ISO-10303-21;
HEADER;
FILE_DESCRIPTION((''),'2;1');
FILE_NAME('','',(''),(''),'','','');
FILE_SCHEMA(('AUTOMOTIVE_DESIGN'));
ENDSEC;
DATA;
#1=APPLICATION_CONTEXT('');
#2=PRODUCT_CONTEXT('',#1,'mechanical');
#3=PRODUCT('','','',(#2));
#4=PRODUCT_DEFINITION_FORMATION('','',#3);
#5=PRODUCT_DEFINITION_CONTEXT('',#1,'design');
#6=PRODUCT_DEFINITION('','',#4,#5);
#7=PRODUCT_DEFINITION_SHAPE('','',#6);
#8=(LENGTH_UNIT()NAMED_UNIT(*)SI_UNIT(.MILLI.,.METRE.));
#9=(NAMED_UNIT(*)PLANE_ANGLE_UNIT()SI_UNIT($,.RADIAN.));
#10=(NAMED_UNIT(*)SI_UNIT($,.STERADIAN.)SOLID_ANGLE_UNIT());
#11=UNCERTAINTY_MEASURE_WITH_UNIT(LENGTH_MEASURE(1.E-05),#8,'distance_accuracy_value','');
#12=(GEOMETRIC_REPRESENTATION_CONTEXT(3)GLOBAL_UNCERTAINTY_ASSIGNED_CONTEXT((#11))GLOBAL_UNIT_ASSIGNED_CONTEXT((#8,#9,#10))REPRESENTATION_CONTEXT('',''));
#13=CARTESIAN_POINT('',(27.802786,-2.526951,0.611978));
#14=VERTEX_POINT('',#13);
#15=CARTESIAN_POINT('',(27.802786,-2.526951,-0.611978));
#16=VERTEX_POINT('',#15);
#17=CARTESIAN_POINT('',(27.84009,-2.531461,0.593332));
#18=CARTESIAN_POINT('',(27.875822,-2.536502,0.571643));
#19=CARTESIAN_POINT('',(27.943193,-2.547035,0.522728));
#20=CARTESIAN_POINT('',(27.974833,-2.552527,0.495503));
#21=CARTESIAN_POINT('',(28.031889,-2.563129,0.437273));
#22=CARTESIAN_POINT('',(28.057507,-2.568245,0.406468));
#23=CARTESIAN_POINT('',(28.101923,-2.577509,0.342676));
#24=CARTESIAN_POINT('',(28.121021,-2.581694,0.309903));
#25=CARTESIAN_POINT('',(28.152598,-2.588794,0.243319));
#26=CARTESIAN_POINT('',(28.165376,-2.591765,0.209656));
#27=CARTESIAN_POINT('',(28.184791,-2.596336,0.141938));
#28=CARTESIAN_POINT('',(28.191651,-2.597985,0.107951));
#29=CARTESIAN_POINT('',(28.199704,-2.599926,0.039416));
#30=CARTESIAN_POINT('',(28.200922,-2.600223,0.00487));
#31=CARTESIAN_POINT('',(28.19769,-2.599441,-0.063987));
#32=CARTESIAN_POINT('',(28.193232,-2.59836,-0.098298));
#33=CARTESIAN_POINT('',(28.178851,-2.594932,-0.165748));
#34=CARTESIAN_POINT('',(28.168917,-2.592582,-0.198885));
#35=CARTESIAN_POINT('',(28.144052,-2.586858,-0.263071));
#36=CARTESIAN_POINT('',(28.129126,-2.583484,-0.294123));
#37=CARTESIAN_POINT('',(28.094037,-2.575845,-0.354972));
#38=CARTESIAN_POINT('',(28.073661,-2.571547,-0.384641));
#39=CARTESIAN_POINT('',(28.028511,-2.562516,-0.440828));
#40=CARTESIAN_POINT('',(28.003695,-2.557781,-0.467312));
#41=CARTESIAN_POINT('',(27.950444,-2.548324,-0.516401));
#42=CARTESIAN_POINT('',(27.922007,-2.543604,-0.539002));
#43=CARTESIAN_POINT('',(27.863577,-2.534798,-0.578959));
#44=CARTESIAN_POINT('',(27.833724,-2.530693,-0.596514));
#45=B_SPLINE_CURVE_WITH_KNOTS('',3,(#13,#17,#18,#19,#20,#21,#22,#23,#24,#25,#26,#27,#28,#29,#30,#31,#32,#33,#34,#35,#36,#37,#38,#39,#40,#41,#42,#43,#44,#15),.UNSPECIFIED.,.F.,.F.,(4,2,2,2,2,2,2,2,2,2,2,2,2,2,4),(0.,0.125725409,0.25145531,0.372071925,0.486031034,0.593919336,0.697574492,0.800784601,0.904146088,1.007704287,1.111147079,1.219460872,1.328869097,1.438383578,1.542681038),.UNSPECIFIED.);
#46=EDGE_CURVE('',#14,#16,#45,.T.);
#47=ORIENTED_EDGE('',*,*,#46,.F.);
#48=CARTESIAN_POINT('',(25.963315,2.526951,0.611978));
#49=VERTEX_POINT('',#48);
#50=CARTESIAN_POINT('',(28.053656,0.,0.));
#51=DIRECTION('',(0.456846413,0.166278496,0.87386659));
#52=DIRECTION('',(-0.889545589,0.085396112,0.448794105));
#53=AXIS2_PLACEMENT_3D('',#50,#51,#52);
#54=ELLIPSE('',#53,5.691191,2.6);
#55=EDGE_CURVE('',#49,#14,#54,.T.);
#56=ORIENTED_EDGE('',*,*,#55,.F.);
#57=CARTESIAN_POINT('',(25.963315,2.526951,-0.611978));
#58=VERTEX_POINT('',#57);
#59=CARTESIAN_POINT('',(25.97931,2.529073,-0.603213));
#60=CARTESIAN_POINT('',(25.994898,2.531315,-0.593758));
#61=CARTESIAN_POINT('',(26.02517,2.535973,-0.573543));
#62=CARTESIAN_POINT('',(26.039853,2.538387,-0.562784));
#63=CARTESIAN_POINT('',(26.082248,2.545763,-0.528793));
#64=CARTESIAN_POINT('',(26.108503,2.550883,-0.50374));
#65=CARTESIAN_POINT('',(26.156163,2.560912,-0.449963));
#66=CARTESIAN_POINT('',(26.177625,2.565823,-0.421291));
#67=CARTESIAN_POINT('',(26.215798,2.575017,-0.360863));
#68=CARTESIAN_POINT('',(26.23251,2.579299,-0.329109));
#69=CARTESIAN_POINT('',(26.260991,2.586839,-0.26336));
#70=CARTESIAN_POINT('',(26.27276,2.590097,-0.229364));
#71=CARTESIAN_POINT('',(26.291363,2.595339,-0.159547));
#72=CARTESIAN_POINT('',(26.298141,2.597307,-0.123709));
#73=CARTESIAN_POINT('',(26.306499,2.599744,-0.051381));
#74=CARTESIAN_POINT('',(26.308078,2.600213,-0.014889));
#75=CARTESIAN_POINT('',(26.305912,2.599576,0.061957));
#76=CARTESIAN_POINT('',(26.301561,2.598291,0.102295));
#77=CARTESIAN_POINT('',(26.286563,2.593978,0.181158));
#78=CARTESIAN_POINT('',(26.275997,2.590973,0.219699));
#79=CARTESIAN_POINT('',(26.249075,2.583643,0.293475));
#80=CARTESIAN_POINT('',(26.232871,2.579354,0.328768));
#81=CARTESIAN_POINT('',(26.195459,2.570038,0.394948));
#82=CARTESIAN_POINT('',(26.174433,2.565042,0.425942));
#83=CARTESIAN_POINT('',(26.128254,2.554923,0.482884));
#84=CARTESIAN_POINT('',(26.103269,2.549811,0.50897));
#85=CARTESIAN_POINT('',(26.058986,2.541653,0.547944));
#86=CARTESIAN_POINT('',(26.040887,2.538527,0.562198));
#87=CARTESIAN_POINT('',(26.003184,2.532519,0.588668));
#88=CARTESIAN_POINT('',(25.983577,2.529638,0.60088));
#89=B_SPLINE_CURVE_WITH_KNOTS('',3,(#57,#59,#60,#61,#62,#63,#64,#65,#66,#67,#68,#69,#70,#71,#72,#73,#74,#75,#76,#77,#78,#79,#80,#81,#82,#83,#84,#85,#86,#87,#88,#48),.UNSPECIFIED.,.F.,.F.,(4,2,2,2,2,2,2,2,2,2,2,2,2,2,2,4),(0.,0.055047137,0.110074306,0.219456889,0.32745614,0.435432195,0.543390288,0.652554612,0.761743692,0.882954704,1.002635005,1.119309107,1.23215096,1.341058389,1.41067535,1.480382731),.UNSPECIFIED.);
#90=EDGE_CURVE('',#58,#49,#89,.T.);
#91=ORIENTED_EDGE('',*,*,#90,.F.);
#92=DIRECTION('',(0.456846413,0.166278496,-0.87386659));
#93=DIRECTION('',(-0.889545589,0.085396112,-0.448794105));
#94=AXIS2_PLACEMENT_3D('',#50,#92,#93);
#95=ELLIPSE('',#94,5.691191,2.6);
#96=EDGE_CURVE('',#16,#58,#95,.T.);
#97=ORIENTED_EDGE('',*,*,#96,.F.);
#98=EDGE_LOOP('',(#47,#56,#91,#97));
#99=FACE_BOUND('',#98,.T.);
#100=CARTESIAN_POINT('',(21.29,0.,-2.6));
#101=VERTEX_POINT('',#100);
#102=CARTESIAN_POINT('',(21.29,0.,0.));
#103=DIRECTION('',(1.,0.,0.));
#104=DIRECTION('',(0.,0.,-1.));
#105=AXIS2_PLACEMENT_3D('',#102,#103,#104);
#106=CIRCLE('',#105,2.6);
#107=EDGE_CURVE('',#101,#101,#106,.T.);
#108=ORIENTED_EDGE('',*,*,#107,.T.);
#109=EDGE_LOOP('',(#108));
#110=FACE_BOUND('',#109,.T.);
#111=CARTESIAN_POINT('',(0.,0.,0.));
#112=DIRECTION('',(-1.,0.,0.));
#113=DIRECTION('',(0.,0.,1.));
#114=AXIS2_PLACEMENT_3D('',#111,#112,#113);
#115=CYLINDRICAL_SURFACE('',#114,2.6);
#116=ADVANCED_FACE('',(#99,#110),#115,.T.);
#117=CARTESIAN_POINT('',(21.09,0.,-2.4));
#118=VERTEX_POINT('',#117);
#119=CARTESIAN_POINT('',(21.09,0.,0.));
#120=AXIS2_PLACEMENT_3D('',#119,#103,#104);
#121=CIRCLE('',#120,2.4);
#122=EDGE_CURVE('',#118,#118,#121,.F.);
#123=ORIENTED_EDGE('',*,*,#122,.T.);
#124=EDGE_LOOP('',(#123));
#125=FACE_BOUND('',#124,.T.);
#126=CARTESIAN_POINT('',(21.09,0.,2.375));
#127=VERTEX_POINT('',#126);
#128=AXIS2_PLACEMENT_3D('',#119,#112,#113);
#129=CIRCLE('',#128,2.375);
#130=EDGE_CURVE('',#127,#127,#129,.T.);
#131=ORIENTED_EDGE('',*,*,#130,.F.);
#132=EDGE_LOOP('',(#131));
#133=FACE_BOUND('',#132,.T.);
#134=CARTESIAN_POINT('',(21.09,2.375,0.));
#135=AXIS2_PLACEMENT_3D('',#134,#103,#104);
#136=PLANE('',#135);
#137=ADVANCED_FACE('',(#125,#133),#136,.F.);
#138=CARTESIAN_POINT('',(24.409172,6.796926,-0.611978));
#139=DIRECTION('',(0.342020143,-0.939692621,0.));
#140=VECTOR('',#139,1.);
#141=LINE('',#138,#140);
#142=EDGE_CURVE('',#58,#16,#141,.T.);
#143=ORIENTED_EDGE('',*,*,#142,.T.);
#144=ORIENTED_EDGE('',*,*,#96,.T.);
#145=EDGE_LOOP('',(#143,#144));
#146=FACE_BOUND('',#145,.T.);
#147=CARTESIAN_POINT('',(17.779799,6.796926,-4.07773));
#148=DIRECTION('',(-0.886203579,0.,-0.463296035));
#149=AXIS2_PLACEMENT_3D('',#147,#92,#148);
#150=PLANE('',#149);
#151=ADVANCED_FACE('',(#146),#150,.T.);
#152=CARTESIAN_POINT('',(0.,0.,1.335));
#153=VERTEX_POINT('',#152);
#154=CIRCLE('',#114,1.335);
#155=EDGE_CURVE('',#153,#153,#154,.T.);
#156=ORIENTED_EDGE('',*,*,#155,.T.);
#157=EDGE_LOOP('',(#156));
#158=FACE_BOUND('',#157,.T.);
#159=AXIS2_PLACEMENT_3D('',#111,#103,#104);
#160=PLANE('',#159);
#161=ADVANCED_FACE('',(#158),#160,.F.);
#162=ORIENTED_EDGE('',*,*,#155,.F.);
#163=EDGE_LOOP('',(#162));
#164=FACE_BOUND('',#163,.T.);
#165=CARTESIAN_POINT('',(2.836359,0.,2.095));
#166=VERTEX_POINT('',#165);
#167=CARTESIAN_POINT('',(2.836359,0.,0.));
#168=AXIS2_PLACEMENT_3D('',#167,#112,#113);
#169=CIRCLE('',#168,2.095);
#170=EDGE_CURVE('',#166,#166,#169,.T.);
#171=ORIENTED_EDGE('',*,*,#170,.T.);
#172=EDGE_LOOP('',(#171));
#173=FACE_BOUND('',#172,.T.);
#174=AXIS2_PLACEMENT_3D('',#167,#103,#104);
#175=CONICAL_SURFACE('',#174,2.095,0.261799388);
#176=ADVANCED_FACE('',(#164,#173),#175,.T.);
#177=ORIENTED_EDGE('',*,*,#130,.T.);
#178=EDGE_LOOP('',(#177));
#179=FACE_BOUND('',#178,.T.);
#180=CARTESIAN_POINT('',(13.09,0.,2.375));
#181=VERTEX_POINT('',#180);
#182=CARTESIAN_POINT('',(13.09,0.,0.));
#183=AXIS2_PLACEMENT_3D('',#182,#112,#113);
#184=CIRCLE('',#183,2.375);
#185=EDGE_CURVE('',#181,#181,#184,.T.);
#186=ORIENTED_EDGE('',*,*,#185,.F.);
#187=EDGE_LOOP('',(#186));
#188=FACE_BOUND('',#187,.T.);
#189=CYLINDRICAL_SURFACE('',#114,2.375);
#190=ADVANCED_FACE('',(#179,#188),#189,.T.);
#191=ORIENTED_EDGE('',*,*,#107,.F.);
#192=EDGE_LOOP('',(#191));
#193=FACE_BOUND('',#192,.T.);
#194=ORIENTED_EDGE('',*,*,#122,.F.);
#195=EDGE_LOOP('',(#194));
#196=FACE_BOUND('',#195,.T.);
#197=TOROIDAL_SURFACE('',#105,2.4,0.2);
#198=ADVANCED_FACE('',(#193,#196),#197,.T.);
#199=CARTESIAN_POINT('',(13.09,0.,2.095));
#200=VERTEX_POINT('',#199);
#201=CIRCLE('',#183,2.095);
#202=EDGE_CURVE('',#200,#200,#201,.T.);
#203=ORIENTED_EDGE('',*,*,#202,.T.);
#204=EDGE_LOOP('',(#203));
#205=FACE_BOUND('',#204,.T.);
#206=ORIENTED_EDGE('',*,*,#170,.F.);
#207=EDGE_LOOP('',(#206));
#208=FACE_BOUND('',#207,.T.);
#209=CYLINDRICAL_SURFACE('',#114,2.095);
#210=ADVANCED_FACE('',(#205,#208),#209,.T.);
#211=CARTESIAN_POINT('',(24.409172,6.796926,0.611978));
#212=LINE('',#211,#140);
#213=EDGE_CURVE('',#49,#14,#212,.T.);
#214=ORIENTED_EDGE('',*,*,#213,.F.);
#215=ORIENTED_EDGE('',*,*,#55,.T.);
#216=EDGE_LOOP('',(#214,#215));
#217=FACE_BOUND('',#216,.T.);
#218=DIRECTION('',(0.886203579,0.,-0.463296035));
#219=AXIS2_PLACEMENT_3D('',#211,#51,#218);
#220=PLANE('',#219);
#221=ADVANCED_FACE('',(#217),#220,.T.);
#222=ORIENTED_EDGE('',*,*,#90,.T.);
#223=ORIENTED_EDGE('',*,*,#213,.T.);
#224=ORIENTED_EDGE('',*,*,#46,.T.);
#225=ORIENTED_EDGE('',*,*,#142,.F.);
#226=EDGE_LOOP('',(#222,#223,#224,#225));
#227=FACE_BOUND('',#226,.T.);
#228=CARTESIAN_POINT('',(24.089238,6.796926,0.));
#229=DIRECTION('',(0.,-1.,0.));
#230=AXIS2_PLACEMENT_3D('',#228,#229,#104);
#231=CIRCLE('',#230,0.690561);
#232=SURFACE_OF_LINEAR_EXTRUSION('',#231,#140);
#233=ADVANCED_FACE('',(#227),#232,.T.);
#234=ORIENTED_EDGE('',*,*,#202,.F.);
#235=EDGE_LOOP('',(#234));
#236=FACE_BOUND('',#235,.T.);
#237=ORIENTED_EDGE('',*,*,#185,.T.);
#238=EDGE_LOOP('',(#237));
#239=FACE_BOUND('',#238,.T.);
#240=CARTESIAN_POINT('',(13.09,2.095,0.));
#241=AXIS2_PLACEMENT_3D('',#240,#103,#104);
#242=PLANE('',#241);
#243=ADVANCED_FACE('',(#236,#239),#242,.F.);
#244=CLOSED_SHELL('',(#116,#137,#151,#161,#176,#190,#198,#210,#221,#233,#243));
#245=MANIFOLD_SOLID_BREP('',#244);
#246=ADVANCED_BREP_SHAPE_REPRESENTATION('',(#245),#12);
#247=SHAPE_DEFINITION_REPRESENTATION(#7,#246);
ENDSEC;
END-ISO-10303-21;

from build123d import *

# Parameters (mm, degrees)
CORTE_EXTRUS_O1_DEPTH = 5
CORTE_EXTRUS_O2_DEPTH = 10
FILETE1_R             = 0.2


with BuildPart() as part:
    # Esboço1 → Revolução1 (revolve)
    with BuildSketch(Plane.XY, mode=Mode.PRIVATE) as revolu_o1_sk:
        Polygon((0, 0), (0, 1.335), (2.836358614, 2.095), (13.09, 2.095), (13.09, 2.375), (21.09, 2.375), (21.09, 2.6), (22.469186813, 2.6), (28.2, 2.6), (28.2, 0), align=None)
    revolve(revolu_o1_sk.sketch.rotate(Axis((0, 0, 0), (1, 0, 0)), 90), axis=Axis((0, 0, 0), (1, 0, 0)))

    # Esboço2 → Corte-extrusão1 (cut, symmetric)
    with BuildSketch(Plane.XY):
        Polygon((28.2, -2.6), (25.943384548, 3.6), (29, 3.6), (29, -2.6), align=None)
    extrude(amount=CORTE_EXTRUS_O1_DEPTH, both=True, mode=Mode.SUBTRACT)

    # Esboço3 → Corte-extrusão2 (cut, along a direction that is not the sketch's normal)
    with BuildSketch(Plane(origin=(-3.863561719, -2.6, 0), x_dir=(0, 0, 1), z_dir=(0, 1, 0))):
        with BuildLine():
            Line((-4.077730135, 25.063561719), (-0.611977577, 31.692934924))
            ThreePointArc((-0.611977577, 31.692934924), (0, 32.063561719), (0.611977577, 31.692934924))
            Line((0.611977577, 31.692934924), (4.077730135, 25.063561719))
            ThreePointArc((4.077730135, 25.063561719), (0, 41.665104992), (-4.077730135, 25.063561719))
        make_face()
    extrude(amount=CORTE_EXTRUS_O2_DEPTH, dir=(-0.3420201433256694, 0.9396926207859082, 0), mode=Mode.SUBTRACT)

    # Filete1
    filete1_edges = [part.edges().sort_by_distance(p)[0] for p in [
        (21.09, 0, -2.6),
    ]]
    fillet(filete1_edges, radius=FILETE1_R)


solid = part.part
